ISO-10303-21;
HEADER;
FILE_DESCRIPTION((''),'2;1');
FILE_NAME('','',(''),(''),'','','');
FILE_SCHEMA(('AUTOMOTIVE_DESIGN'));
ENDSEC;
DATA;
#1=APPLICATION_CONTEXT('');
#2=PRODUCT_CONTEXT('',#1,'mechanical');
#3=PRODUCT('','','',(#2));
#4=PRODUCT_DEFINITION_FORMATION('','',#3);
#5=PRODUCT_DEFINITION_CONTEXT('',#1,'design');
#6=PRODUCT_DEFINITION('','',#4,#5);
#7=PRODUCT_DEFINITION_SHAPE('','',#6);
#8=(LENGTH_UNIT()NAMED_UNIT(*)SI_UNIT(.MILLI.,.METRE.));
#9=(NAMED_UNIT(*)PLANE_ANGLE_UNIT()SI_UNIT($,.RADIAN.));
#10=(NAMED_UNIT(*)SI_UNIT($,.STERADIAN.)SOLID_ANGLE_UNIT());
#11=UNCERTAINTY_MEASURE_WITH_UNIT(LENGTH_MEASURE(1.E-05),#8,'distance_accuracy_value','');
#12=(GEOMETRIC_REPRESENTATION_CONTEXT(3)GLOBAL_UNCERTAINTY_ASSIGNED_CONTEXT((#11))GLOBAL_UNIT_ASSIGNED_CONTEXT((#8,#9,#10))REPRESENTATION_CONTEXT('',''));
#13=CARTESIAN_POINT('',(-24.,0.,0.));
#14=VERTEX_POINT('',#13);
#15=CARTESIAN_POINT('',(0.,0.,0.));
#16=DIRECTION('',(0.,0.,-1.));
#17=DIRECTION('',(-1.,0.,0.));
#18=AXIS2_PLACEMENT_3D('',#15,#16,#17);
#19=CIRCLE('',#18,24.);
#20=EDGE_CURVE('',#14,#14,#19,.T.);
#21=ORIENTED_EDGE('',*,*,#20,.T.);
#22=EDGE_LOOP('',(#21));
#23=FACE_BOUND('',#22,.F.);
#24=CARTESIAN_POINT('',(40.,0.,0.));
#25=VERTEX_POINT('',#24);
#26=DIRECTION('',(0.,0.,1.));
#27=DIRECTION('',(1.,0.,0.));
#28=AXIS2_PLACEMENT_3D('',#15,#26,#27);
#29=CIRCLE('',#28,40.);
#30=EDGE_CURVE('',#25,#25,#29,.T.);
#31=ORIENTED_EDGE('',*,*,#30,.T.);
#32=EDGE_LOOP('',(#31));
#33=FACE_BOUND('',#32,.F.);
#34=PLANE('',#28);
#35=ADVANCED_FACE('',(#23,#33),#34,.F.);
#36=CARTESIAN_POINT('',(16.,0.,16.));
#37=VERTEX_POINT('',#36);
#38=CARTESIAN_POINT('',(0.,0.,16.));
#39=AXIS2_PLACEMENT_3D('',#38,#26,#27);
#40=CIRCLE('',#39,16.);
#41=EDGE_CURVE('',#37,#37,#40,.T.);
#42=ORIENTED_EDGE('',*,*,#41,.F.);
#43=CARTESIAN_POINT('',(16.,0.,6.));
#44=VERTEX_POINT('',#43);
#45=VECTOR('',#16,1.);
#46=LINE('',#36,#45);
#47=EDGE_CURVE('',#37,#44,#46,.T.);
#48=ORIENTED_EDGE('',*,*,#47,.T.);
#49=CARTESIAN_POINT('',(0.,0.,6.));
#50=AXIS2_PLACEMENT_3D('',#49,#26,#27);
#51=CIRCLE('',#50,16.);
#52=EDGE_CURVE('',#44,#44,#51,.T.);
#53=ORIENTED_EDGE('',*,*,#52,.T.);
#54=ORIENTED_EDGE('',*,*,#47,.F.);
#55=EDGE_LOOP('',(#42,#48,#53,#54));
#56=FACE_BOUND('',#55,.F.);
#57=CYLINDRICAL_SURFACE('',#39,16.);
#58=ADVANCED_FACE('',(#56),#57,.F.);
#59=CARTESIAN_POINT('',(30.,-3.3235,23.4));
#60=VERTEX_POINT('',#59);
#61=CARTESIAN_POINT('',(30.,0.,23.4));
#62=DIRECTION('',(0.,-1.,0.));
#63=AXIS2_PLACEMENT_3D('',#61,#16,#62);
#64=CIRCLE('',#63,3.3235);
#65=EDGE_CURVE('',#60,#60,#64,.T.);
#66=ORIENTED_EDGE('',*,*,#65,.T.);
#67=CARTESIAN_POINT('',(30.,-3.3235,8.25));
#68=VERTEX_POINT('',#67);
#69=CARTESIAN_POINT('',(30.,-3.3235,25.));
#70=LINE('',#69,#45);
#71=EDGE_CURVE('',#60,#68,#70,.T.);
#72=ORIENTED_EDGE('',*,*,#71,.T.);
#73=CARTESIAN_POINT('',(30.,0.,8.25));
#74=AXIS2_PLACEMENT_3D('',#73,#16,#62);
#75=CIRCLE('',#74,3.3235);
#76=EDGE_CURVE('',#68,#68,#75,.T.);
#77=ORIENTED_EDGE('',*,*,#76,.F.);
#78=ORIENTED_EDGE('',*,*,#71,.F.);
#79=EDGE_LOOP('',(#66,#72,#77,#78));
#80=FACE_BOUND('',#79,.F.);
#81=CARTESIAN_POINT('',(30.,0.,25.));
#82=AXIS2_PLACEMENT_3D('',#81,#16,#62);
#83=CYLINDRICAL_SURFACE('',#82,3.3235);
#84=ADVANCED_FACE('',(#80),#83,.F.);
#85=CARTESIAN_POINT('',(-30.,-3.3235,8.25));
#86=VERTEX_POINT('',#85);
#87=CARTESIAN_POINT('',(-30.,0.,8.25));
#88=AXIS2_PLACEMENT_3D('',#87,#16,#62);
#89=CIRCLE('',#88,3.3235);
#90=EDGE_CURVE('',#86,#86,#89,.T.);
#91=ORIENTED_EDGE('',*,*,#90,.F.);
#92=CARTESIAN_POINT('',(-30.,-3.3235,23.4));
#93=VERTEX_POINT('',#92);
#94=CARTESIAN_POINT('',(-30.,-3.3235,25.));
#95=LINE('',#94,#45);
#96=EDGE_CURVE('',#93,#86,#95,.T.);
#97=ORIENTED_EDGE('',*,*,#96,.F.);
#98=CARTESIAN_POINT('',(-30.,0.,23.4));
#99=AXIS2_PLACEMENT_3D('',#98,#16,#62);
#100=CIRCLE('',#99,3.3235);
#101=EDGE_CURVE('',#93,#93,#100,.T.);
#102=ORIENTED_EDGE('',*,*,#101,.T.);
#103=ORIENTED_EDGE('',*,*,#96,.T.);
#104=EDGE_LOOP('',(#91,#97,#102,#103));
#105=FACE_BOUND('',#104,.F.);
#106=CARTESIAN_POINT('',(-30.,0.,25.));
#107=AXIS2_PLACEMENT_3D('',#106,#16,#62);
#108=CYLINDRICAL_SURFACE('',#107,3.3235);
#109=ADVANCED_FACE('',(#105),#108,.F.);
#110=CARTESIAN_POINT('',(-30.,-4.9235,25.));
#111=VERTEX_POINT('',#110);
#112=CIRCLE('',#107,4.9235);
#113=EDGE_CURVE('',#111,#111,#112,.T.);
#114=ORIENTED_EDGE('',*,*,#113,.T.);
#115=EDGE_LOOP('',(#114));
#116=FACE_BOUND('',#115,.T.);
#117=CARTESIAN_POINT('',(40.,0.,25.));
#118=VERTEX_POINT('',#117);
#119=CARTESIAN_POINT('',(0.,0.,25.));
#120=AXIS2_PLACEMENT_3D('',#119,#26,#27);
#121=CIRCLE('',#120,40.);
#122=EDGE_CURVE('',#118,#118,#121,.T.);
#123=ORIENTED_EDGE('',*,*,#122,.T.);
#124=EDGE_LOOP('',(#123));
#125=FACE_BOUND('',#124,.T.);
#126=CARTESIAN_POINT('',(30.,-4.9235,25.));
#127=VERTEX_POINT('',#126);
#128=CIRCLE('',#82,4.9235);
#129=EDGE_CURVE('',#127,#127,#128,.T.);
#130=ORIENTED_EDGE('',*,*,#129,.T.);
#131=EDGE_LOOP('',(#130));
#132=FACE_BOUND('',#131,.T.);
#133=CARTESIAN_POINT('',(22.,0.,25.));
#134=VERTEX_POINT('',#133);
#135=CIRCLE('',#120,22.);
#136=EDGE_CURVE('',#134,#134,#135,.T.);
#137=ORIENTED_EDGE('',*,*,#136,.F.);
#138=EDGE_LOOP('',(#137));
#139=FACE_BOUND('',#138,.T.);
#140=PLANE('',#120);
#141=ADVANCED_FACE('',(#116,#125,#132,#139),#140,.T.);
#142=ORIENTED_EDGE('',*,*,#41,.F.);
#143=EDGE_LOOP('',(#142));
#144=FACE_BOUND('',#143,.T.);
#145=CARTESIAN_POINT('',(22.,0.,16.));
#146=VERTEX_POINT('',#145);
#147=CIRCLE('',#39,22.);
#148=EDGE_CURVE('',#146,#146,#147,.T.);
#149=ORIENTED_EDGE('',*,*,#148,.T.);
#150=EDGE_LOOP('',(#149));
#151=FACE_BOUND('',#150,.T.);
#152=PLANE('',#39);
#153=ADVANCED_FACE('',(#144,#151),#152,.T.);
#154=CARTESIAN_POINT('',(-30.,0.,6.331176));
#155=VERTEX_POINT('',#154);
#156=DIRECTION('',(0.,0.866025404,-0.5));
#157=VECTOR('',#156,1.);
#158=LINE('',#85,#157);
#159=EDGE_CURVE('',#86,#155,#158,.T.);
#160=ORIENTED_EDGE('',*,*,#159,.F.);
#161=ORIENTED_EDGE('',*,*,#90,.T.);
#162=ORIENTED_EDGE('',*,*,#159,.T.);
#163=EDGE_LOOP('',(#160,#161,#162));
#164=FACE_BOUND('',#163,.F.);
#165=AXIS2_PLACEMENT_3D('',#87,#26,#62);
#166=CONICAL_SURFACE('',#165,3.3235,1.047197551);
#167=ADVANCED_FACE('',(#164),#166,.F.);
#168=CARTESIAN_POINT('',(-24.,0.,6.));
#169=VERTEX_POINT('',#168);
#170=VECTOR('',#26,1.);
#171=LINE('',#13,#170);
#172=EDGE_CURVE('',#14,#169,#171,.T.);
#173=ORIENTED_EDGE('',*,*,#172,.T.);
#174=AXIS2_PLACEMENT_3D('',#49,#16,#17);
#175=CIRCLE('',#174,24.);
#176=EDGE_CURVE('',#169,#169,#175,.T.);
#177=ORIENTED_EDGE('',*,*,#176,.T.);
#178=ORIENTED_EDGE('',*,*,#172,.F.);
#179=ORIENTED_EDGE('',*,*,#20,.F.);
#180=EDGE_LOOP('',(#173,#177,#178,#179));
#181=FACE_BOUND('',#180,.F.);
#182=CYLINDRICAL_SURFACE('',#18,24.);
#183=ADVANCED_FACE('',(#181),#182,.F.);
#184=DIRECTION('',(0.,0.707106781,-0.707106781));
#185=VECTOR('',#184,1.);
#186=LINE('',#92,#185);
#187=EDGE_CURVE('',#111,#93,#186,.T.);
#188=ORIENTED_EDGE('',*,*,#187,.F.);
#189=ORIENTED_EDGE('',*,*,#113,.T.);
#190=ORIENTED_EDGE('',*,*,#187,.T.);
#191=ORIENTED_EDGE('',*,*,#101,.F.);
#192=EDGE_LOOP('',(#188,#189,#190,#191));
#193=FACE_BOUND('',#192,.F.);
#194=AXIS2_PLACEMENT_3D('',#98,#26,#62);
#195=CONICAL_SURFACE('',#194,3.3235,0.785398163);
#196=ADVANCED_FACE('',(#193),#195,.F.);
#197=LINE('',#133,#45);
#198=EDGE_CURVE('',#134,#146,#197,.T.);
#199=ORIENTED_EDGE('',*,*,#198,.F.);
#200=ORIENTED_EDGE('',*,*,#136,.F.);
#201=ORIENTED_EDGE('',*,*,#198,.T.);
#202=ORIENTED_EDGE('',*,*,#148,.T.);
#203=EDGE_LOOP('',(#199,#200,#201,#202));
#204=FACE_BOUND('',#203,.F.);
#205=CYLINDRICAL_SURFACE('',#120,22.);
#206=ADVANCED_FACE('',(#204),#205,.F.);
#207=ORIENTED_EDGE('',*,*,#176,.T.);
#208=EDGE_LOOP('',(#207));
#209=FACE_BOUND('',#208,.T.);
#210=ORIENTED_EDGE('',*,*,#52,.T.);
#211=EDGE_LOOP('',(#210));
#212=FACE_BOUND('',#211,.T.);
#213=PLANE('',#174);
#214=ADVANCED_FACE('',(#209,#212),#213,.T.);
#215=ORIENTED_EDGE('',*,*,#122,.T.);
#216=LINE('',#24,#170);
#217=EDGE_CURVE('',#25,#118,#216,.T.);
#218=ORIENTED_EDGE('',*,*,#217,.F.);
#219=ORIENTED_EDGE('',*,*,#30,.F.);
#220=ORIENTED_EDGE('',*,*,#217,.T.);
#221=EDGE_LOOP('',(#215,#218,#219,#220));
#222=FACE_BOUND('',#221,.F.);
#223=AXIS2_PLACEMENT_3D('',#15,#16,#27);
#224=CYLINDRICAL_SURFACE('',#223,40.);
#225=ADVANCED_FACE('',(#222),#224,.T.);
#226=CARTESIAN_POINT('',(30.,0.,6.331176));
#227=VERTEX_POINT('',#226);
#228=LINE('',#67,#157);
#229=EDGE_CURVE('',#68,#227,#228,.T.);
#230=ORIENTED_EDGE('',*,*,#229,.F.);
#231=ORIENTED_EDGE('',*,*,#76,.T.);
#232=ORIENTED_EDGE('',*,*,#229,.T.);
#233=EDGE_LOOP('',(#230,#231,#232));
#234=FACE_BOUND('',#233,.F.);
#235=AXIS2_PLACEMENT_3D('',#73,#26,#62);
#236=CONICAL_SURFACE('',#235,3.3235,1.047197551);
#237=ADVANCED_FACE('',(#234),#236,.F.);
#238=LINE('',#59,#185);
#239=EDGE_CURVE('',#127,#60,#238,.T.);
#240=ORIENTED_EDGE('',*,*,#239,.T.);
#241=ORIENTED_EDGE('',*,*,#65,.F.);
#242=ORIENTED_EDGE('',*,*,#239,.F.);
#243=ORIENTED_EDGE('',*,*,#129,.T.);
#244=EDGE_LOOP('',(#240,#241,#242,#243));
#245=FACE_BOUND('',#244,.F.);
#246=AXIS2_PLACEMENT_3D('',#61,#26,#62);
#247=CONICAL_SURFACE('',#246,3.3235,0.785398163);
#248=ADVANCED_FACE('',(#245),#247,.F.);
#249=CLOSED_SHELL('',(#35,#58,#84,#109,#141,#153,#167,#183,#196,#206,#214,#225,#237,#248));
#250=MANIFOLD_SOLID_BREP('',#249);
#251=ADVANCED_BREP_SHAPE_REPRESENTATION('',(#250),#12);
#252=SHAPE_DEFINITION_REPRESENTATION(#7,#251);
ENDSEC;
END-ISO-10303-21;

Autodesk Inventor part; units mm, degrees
ref_plane "YZ Plane" through (0, 0, 0) normal (1, 0, 0) x (0, 1, 0)
ref_plane "XZ Plane" through (0, 0, 0) normal (0, 1, 0) x (-1, 0, 0)
ref_plane "XY Plane" through (0, 0, 0) normal (0, 0, 1) x (1, 0, 0)
sketch "Эскиз1" plane through (0, 0, 0) normal (0, 0, 1) x (1, 0, 0)
  circle A0 centre (0, 0) radius 40
  dimension "d0" = 80
extrude "Выдавливание1" add sketch "Эскиз1" along normal blind 25
sketch "Эскиз2" plane through (0, 0, 25) normal (0, 0, 1) x (1, 0, 0)
  point P0 (0, 0)
  point P1 (-30, 0)
  point P2 (30, 0)
  dimension "d3" = 30
  dimension "d4" = 60
hole "Отверстие1" at (-30, 0, 25) at (30, 0, 25) direction (0, 0, -1) diameter 6.647 depth 16.75 tip angle 120 thread size "M8x1.25" class "6H" standard "ANSI Metric M Profile"
chamfer "Фаска1" distance 1.6 angle 45 2 edges at (-30, 3.3235, 25) (30, 3.3235, 25)
sketch "Эскиз3" plane through (0, 0, 25) normal (0, 0, 1) x (1, 0, 0)
  circle A0 centre (0, 0) radius 22
  dimension "d15" = 44
extrude "Выдавливание2" cut sketch "Эскиз3" against normal blind 9
sketch "Эскиз4" plane through (0, 0, 16) normal (0, 0, 1) x (1, 0, 0)
  circle A0 centre (0, 0) radius 16
  dimension "d18" = 32
extrude "Выдавливание3" cut sketch "Эскиз4" against normal through all
sketch "Эскиз5" plane through (0, 0, 0) normal (0, 0, -1) x (-1, 0, 0)
  circle A0 centre (0, 0) radius 24
  dimension "d21" = 48
extrude "Выдавливание4" cut sketch "Эскиз5" against normal blind 6
properties part number "Корпус"
